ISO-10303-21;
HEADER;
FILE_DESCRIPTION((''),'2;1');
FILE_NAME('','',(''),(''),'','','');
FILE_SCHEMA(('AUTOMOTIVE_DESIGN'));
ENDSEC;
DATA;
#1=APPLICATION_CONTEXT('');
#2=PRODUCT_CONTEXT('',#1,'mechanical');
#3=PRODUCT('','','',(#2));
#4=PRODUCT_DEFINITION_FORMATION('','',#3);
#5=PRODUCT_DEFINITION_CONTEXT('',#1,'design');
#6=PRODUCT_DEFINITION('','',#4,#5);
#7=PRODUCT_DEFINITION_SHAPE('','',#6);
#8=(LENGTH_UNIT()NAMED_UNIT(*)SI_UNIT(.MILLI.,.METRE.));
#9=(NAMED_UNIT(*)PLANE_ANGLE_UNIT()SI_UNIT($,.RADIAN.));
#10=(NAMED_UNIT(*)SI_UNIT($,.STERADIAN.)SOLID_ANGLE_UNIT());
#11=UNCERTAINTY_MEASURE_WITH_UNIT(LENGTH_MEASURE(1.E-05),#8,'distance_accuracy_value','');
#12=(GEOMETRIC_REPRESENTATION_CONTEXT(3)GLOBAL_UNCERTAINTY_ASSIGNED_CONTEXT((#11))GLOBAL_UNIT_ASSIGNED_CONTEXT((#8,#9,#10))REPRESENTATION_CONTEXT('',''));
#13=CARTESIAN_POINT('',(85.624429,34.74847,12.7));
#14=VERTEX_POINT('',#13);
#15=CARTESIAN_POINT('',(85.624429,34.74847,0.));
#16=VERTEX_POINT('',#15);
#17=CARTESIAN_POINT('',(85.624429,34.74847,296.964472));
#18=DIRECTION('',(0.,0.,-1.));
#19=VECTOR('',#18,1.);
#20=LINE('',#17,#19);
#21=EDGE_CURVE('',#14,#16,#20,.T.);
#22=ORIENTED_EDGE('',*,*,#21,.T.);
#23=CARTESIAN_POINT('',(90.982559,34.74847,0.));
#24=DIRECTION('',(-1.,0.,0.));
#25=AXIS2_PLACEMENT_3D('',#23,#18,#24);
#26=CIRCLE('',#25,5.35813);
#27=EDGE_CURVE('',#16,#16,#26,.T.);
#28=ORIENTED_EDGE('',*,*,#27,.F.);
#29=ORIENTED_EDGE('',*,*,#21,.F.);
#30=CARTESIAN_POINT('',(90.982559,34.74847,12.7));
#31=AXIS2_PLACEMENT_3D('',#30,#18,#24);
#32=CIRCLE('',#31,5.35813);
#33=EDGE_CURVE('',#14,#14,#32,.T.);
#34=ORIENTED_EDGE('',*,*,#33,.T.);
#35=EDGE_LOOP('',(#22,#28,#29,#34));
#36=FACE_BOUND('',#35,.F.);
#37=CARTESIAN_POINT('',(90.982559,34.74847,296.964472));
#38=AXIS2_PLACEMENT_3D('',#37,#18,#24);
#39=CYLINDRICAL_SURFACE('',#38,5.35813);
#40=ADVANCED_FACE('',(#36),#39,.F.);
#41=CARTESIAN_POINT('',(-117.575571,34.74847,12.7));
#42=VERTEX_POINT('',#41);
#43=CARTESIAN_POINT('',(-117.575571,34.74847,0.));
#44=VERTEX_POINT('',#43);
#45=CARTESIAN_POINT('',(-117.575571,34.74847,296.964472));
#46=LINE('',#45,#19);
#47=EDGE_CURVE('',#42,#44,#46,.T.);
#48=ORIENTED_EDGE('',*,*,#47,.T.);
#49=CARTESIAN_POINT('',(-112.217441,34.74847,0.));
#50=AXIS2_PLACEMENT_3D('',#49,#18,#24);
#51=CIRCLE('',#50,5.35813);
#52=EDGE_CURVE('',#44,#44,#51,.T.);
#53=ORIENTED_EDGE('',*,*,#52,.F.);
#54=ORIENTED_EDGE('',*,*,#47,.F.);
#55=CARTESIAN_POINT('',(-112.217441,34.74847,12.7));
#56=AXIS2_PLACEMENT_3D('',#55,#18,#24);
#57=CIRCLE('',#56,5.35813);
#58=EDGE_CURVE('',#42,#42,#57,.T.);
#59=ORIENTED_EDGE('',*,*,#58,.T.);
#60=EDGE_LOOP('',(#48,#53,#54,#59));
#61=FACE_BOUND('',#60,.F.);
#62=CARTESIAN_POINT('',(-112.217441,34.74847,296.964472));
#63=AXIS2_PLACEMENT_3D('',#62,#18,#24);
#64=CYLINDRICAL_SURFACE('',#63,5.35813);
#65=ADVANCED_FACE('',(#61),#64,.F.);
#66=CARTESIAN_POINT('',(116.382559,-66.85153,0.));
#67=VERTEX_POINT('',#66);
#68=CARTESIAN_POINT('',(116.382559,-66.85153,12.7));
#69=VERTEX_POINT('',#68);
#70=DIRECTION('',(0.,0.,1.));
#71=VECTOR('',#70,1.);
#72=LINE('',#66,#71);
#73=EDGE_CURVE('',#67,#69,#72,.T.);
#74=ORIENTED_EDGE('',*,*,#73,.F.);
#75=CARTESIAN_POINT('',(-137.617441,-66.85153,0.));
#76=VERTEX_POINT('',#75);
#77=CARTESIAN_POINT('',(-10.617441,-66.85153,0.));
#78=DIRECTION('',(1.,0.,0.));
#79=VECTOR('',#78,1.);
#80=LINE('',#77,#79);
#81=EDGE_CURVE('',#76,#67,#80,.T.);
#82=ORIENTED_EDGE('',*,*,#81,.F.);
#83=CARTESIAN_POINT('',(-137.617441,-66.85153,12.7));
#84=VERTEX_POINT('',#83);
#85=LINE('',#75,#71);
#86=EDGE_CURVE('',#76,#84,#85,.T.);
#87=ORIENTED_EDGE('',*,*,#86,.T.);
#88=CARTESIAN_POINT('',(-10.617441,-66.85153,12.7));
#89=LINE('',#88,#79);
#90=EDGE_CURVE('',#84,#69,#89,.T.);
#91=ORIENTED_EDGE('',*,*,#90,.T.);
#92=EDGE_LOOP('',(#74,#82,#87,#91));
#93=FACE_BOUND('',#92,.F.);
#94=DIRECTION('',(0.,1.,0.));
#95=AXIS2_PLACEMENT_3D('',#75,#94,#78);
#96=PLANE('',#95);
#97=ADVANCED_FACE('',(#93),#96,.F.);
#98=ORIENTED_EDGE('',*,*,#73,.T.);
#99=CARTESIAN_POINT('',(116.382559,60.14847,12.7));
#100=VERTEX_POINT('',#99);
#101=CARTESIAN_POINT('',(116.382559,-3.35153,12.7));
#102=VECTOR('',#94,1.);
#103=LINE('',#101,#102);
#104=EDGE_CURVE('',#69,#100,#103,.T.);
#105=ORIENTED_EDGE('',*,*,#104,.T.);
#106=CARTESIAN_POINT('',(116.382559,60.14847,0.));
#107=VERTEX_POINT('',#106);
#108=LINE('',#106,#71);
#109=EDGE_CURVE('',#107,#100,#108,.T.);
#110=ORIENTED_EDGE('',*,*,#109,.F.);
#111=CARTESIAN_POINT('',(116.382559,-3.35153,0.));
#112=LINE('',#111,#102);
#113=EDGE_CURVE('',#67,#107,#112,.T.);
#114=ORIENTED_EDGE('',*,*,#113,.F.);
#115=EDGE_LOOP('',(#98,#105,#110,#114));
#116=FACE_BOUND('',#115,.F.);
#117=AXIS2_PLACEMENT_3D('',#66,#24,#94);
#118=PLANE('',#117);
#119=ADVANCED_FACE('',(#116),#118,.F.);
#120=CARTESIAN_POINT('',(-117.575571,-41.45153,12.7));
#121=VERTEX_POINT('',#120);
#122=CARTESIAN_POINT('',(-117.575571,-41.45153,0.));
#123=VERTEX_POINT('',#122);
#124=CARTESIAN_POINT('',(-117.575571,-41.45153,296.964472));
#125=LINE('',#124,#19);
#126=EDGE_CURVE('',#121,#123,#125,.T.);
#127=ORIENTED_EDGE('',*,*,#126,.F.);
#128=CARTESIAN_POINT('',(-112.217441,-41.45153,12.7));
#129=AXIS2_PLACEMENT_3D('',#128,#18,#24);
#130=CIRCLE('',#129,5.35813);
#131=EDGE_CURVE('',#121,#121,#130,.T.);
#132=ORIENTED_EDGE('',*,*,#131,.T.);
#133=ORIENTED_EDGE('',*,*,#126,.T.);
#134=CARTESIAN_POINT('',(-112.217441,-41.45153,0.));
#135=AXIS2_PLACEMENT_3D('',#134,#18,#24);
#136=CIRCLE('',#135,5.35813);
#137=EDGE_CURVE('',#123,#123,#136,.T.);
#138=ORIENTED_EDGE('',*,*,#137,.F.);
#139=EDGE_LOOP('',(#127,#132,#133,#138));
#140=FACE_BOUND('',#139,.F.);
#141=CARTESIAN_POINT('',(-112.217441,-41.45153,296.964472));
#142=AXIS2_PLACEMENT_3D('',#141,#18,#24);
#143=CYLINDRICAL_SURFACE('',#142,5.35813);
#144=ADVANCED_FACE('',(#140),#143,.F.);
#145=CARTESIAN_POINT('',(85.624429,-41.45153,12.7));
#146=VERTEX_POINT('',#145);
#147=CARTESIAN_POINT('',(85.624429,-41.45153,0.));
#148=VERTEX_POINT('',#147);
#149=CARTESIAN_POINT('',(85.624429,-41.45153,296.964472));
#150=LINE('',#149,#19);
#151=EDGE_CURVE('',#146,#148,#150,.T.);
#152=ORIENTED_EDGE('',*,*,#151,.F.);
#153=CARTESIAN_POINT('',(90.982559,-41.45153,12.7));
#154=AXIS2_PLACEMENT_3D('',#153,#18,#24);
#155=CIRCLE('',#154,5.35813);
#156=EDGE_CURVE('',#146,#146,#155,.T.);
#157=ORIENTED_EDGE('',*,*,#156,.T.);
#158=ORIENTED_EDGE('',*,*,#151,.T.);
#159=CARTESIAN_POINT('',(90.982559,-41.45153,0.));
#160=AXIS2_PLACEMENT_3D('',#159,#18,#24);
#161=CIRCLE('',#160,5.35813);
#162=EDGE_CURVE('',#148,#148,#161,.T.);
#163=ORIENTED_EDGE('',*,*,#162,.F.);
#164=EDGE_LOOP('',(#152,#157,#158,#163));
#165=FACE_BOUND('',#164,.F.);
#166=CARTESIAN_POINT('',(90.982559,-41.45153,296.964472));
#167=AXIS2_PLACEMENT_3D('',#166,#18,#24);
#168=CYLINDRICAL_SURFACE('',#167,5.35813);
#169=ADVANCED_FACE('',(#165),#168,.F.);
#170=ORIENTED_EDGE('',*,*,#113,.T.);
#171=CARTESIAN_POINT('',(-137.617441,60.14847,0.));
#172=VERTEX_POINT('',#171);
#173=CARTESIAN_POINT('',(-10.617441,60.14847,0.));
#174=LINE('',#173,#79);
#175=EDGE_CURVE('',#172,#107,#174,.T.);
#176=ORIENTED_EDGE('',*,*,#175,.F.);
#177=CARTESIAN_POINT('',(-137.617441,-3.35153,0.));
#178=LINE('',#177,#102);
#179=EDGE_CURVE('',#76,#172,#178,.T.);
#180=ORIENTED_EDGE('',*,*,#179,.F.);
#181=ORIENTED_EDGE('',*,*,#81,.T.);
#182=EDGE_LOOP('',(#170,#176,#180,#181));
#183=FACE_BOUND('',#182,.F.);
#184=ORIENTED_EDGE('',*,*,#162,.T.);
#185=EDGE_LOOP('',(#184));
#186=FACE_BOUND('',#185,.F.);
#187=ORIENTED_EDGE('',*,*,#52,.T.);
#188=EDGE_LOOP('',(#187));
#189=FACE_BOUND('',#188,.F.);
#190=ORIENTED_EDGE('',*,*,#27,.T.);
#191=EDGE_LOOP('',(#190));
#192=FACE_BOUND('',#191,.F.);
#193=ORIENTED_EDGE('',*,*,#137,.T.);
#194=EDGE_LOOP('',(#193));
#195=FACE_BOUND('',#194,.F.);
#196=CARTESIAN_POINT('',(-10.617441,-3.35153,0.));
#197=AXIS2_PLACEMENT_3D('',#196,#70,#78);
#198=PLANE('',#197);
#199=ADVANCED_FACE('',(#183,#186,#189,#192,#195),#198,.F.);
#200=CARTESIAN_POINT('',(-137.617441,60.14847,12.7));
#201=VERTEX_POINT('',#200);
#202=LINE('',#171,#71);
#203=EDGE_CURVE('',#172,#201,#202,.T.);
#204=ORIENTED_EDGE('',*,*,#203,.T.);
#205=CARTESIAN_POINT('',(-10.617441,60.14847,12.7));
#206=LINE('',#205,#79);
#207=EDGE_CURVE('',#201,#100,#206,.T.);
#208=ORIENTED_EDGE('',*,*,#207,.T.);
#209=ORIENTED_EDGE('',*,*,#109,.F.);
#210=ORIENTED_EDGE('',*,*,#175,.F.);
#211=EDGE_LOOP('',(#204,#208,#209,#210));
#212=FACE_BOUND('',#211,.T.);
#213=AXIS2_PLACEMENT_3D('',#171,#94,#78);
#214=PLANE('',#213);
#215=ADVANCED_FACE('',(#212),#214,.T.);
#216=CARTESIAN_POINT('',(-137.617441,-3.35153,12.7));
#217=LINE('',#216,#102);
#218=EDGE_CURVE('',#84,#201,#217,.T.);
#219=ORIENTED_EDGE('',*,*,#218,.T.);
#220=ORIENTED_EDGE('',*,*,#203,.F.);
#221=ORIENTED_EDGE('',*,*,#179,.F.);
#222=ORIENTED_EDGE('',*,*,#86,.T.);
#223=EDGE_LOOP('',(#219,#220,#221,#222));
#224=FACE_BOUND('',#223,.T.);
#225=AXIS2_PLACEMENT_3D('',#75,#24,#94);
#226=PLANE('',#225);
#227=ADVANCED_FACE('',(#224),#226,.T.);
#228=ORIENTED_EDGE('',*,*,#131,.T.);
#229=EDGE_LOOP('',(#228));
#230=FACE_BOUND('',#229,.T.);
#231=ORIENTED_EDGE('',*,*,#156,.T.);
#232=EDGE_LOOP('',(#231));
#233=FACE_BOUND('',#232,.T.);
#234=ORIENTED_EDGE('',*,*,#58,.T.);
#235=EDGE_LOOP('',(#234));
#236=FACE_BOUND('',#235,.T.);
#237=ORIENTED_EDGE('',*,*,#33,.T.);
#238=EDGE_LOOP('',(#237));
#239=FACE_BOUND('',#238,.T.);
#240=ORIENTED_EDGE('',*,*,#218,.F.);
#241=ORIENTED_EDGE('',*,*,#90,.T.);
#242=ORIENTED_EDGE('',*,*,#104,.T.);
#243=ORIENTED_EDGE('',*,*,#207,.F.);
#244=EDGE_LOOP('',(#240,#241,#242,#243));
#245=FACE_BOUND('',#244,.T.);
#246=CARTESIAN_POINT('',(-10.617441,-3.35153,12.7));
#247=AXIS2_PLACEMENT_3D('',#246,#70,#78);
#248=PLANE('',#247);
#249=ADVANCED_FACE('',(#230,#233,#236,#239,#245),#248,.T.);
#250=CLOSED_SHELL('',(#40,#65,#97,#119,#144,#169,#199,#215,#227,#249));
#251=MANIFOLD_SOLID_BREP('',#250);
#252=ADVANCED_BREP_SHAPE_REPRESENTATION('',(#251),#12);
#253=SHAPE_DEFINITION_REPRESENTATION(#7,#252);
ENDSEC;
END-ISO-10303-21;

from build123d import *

# Parameters (mm, degrees)
F0_W     = 254
F0_H     = 127
F1_DEPTH = 12.7
F3_D     = 10.71626


with BuildPart() as f1:
    # F0 (on Top) → F1 (new body)
    with BuildSketch(Plane.XY):
        with Locations((-10.6174405664, -3.3515299236)):
            Rectangle(F0_W, F0_H)
    extrude(amount=F1_DEPTH)

    # F3 (through all)
    with Locations(Plane.XY.offset(12.7)):
        with Locations((-112.2174405664, 34.7484700764), (-112.2174405664, -41.4515299236), (90.9825594336, 34.7484700764), (90.9825594336, -41.4515299236)):
            Hole(F3_D / 2)


solid = f1.part
